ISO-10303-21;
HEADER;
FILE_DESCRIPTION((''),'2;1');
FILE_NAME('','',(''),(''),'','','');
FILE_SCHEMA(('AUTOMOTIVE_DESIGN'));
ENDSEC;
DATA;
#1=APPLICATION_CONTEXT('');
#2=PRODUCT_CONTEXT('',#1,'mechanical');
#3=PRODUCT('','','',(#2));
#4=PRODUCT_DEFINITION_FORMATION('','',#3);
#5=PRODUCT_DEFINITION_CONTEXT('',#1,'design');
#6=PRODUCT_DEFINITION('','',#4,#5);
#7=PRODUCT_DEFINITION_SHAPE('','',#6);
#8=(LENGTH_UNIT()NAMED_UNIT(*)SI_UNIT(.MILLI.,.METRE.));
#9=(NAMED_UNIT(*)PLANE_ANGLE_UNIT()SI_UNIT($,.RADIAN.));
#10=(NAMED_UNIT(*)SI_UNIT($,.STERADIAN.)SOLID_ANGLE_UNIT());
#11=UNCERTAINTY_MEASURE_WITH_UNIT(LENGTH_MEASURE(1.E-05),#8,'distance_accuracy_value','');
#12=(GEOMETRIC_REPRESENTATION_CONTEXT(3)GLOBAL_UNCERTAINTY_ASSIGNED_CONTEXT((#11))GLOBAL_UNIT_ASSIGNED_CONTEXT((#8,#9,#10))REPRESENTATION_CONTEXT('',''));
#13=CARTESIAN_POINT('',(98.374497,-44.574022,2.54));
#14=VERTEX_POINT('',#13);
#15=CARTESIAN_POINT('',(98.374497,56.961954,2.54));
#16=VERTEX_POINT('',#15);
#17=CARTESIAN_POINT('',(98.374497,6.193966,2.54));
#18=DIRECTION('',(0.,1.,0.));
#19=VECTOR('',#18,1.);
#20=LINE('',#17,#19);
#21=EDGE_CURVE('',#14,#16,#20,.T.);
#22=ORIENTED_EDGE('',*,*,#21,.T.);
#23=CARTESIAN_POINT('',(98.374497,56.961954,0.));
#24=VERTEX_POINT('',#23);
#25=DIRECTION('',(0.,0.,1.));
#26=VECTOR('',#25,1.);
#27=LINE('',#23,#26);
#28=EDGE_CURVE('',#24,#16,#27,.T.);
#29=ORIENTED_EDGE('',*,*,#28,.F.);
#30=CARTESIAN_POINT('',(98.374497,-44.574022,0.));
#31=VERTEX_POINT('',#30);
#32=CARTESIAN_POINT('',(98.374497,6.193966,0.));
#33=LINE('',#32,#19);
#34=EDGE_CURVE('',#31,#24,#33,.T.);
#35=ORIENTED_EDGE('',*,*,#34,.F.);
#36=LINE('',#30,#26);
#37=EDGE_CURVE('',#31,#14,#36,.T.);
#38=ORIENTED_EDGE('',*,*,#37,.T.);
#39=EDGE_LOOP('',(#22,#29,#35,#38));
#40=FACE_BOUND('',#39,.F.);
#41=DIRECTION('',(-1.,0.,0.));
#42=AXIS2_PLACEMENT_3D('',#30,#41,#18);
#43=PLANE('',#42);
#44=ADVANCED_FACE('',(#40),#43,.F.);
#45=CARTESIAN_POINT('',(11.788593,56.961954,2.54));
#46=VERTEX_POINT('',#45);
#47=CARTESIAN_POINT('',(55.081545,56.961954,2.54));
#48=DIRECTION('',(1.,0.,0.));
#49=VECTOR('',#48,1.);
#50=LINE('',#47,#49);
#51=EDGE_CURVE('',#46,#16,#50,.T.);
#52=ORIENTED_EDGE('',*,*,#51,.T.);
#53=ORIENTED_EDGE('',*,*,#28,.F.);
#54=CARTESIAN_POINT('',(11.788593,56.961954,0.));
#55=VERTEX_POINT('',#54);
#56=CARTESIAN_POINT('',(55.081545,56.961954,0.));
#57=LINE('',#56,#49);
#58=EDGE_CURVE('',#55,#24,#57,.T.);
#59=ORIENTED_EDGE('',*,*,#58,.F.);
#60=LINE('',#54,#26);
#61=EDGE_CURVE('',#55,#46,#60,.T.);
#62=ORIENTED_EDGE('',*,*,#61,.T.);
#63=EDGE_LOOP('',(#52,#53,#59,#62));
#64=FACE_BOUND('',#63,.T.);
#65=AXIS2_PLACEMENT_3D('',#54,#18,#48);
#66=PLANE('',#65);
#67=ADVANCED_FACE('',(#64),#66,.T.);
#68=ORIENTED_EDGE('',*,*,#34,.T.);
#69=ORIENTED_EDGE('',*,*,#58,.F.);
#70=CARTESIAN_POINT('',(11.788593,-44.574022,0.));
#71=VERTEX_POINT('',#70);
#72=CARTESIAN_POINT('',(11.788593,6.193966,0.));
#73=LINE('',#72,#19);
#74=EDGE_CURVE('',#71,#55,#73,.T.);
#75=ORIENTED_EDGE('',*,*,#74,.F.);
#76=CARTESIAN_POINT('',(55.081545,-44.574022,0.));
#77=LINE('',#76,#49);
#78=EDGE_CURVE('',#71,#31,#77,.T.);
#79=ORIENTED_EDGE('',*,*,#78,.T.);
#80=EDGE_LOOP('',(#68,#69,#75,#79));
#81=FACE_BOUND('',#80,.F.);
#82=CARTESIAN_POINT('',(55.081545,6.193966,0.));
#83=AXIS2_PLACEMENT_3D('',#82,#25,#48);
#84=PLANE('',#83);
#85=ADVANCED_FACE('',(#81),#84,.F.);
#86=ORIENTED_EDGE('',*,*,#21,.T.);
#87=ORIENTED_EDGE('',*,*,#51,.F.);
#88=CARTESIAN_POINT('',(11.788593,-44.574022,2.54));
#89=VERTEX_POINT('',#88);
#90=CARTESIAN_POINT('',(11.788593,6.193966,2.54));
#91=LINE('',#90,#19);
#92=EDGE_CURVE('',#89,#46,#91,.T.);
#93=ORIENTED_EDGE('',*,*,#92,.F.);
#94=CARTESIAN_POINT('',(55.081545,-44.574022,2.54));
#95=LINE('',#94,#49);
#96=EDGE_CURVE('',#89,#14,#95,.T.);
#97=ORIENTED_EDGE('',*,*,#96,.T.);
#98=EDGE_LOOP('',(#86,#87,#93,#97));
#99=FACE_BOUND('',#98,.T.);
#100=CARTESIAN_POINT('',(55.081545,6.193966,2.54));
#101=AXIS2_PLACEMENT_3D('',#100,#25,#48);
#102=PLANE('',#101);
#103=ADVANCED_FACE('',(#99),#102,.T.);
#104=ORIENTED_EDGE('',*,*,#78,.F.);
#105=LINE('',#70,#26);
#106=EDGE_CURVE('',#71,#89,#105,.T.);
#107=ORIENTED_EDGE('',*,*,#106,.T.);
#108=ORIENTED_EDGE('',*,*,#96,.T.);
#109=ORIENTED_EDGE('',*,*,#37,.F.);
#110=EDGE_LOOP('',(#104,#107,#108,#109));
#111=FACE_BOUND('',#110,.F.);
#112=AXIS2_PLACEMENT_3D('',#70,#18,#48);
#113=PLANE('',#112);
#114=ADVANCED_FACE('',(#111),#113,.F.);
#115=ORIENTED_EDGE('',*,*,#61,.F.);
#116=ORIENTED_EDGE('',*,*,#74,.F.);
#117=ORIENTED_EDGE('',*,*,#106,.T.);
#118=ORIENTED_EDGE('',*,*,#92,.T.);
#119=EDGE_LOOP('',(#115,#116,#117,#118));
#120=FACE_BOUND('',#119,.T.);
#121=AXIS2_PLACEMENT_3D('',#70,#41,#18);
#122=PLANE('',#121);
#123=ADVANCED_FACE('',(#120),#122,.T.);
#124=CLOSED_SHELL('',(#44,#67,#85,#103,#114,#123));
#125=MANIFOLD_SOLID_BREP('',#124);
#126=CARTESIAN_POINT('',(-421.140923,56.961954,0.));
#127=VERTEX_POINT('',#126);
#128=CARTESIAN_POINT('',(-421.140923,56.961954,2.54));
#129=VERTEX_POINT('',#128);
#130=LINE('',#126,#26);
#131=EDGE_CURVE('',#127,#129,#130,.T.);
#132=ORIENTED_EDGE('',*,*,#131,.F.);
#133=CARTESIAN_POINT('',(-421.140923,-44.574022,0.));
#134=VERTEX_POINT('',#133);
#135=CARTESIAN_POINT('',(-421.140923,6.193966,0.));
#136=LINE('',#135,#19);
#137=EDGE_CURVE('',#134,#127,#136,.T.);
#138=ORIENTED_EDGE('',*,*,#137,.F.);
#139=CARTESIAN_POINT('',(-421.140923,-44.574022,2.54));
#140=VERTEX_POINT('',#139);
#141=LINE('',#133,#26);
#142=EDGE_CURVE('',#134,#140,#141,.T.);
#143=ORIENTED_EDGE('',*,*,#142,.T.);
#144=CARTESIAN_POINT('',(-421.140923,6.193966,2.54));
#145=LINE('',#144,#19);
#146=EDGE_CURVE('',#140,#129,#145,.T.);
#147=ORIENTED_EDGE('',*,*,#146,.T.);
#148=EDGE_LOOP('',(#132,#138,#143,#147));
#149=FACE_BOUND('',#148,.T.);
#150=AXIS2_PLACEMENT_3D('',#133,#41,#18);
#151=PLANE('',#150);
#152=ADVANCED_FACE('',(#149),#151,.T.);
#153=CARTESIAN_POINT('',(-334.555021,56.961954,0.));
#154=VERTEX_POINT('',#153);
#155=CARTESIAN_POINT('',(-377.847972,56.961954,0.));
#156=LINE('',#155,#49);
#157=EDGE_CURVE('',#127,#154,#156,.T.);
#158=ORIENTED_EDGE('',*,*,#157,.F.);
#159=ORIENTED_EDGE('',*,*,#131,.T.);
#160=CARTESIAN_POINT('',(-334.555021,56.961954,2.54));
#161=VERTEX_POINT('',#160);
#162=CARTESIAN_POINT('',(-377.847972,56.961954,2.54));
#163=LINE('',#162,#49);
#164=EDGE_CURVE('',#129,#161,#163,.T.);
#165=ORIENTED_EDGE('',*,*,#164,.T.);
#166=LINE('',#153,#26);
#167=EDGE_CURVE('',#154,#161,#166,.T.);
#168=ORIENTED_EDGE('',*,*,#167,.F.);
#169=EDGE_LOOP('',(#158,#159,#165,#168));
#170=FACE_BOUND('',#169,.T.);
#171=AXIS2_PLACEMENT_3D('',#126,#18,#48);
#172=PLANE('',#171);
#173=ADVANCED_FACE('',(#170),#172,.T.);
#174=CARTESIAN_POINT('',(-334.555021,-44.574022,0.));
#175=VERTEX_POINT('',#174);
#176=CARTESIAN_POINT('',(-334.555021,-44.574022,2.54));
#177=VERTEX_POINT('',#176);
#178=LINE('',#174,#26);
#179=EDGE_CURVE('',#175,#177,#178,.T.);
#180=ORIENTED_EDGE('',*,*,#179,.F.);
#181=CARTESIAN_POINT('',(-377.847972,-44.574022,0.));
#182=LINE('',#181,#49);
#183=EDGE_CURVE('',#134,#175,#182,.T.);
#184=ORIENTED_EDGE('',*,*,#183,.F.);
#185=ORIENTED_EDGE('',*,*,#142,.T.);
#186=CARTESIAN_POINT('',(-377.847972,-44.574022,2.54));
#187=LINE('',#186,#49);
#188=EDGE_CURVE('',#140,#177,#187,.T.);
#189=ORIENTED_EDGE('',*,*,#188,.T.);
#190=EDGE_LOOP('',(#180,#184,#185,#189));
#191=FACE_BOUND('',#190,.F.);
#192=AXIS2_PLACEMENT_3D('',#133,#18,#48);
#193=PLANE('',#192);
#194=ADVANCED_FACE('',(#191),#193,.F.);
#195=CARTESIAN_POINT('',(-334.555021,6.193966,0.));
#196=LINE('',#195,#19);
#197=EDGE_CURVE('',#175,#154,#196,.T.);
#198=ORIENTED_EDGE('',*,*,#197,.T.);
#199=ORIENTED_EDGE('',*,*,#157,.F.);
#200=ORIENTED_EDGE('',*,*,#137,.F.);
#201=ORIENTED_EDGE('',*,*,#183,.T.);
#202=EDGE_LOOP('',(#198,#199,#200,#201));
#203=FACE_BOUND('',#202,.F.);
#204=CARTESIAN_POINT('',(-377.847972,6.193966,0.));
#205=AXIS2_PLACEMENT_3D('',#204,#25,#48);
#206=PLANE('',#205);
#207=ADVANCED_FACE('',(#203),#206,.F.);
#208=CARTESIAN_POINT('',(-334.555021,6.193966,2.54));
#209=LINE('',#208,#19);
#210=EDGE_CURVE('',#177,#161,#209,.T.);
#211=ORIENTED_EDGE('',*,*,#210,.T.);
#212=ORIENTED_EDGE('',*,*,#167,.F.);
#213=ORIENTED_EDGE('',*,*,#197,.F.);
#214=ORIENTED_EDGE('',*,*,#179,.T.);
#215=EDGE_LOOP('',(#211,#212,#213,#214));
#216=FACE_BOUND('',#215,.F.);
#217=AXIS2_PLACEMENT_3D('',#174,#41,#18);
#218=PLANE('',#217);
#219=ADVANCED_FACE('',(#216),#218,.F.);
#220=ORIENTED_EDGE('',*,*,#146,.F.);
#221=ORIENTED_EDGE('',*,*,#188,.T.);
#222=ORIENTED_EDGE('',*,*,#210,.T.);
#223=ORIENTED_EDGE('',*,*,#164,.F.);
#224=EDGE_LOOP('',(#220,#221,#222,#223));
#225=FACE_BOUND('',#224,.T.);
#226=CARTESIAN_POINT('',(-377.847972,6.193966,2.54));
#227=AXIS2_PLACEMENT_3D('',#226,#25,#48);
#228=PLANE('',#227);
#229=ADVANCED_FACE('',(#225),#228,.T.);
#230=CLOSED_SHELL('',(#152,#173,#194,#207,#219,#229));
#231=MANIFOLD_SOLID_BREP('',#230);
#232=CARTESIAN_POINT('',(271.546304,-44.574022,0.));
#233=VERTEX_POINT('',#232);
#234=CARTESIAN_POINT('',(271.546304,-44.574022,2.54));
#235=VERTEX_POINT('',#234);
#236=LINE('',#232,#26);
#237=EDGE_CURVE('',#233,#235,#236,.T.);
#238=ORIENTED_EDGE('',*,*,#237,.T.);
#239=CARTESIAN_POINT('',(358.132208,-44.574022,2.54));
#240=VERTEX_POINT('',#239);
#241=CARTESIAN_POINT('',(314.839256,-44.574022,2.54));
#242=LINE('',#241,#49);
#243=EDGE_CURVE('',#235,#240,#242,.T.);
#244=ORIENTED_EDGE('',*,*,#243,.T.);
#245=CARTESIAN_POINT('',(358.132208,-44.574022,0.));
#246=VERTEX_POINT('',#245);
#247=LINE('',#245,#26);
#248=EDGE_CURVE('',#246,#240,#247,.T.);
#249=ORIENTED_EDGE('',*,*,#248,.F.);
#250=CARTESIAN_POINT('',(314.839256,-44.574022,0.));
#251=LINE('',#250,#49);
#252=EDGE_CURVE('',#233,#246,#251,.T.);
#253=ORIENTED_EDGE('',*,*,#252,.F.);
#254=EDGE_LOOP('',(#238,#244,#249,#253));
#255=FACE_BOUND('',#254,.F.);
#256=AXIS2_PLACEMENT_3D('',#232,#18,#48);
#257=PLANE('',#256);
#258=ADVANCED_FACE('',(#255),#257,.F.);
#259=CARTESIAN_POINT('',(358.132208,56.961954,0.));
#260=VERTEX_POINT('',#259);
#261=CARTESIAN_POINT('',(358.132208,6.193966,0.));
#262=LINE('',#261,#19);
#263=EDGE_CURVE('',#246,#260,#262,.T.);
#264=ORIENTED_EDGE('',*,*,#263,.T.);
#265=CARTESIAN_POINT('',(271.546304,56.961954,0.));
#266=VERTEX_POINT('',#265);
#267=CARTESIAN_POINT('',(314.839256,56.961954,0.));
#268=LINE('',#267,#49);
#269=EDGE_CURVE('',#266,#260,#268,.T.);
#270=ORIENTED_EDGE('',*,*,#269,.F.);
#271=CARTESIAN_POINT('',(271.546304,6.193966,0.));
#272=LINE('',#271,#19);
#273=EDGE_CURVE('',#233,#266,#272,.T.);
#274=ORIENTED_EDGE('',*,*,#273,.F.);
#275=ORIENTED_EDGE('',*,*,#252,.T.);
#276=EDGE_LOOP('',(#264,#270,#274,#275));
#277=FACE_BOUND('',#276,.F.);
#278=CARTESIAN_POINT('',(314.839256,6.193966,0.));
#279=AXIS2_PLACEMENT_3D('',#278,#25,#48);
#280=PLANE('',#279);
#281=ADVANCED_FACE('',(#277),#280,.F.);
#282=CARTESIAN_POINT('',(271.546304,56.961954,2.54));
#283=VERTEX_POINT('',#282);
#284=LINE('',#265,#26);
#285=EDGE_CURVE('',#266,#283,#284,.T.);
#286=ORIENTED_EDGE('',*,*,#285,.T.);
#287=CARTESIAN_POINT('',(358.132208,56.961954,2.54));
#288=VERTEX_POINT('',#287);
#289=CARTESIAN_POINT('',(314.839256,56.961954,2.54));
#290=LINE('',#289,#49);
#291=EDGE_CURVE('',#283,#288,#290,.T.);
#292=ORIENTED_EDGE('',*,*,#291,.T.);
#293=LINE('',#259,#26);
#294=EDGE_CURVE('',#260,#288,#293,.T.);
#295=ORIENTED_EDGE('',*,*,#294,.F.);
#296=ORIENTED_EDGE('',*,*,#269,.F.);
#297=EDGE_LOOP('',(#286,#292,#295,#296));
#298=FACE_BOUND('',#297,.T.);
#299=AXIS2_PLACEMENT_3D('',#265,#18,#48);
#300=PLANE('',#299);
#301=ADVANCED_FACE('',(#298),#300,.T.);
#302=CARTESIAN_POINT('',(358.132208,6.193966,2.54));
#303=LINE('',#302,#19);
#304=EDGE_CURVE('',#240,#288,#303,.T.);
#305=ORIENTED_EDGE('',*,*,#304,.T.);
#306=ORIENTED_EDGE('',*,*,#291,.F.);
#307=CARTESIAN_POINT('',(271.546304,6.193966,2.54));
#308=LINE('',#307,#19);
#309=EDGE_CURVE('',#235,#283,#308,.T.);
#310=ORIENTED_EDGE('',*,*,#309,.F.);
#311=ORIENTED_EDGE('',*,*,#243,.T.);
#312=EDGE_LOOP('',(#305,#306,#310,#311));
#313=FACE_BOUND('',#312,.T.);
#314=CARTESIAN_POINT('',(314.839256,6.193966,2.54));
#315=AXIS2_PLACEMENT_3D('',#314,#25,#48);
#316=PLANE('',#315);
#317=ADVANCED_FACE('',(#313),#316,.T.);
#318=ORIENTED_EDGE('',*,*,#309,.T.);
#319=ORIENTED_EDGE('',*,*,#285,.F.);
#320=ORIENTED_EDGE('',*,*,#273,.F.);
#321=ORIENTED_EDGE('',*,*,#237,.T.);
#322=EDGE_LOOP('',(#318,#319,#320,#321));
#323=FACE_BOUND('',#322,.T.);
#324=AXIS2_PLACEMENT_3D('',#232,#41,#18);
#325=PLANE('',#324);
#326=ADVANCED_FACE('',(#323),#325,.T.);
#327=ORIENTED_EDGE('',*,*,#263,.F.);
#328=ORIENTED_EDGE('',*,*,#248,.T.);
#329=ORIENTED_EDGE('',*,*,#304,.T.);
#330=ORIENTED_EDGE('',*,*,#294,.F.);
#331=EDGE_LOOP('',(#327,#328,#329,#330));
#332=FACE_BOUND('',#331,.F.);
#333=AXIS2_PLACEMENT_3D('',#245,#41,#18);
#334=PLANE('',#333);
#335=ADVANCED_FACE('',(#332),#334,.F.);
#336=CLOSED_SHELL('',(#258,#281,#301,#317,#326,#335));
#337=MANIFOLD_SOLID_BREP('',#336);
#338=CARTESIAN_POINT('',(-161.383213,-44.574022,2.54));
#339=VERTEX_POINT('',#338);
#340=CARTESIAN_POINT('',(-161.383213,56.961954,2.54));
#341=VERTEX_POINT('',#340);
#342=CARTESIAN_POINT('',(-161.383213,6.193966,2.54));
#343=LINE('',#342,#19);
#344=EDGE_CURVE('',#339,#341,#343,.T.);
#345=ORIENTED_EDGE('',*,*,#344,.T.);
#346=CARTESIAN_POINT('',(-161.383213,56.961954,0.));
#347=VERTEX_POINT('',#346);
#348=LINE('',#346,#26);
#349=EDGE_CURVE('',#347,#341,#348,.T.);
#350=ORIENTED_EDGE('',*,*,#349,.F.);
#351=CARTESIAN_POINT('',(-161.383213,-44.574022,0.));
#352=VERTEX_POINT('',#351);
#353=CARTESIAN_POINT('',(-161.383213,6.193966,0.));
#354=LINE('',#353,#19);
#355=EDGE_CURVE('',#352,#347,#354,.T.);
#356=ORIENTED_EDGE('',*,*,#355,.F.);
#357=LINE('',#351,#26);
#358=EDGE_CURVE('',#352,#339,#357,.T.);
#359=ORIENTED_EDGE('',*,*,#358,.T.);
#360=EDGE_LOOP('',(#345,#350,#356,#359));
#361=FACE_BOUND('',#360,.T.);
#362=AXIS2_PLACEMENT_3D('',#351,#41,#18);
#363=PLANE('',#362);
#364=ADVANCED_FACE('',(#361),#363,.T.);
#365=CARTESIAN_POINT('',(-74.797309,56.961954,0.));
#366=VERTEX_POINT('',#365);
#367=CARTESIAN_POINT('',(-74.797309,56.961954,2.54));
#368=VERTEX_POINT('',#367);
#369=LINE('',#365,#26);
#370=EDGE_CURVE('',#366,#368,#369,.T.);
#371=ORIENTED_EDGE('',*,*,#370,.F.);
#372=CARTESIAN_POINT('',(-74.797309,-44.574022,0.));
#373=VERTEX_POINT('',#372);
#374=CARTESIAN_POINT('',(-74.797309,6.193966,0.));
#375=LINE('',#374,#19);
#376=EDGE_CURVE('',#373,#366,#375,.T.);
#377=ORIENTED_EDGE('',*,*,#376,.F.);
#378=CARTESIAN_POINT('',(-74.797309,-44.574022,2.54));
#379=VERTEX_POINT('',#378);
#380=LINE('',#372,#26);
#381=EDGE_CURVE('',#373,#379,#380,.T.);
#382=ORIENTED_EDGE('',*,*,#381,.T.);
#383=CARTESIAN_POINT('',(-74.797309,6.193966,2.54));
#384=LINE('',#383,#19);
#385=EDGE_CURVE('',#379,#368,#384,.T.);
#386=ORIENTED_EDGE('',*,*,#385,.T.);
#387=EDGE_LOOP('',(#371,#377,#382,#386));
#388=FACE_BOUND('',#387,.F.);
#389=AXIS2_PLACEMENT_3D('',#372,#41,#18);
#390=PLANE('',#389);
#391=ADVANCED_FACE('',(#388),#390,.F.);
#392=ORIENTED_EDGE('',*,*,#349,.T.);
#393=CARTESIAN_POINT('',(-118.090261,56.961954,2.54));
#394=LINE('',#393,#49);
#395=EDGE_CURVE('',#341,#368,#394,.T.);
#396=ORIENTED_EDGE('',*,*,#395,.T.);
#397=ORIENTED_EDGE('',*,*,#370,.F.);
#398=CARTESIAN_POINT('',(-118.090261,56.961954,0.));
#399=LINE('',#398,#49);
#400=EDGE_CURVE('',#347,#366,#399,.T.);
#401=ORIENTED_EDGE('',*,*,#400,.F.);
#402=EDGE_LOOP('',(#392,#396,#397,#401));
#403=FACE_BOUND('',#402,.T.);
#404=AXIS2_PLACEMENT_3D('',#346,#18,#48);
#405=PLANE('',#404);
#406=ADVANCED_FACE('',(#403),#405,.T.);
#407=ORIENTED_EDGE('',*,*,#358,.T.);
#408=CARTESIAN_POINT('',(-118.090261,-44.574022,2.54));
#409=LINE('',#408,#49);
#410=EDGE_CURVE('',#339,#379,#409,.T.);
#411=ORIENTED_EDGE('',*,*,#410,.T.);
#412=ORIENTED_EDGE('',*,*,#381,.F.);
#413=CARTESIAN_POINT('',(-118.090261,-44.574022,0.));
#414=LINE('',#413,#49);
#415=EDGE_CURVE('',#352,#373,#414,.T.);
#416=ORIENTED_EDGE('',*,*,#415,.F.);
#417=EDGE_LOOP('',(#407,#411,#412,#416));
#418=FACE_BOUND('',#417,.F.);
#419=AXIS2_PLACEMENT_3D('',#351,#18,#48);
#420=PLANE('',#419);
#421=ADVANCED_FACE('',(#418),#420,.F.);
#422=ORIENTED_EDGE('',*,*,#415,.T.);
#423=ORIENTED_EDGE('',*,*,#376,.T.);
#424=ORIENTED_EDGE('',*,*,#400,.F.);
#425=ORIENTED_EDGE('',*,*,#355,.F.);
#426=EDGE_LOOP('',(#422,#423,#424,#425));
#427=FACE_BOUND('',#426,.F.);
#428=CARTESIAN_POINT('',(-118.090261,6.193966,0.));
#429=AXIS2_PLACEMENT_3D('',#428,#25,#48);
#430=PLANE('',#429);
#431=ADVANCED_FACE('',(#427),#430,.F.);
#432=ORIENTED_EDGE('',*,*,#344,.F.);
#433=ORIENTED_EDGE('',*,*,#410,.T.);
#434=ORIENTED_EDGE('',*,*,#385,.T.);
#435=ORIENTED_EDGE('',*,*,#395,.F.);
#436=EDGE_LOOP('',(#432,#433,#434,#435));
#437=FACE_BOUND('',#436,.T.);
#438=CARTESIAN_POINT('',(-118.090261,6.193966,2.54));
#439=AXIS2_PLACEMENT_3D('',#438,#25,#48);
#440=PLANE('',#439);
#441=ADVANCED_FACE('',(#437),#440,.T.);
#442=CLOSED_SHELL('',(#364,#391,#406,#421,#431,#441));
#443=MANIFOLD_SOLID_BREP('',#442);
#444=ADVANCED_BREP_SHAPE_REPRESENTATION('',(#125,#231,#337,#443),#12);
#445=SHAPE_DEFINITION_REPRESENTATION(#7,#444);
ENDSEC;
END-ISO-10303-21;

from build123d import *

# Parameters (mm, degrees)
F0_W     = 86.585903
F0_H     = 101.535976
F1_DEPTH = 2.54
F2_DEPTH = 2.54
F3_DEPTH = 2.54
F0_W_2   = 86.585904
F4_DEPTH = 2.54


with BuildPart() as f1:
    # F0 (on Top) → F1 (new body)
    with BuildSketch(Plane.XY):
        with Locations((-377.847972, 6.193966)):
            Rectangle(F0_W, F0_H)
    extrude(amount=F1_DEPTH)


with BuildPart() as f2:
    # F0 (on Top) → F2 (new body)
    with BuildSketch(Plane.XY):
        with Locations((-118.090261, 6.193966)):
            Rectangle(F0_W, F0_H)
    extrude(amount=F2_DEPTH)


with BuildPart() as f3:
    # F0 (on Top) → F3 (new body)
    with BuildSketch(Plane.XY):
        with Locations((55.081545, 6.193966)):
            Rectangle(F0_W, F0_H)
    extrude(amount=F3_DEPTH)


with BuildPart() as f4:
    # F0 (on Top) → F4 (new body)
    with BuildSketch(Plane.XY):
        with Locations((314.839256, 6.193966)):
            Rectangle(F0_W_2, F0_H)
    extrude(amount=F4_DEPTH)


solid = Compound([f1.part, f2.part, f3.part, f4.part])
